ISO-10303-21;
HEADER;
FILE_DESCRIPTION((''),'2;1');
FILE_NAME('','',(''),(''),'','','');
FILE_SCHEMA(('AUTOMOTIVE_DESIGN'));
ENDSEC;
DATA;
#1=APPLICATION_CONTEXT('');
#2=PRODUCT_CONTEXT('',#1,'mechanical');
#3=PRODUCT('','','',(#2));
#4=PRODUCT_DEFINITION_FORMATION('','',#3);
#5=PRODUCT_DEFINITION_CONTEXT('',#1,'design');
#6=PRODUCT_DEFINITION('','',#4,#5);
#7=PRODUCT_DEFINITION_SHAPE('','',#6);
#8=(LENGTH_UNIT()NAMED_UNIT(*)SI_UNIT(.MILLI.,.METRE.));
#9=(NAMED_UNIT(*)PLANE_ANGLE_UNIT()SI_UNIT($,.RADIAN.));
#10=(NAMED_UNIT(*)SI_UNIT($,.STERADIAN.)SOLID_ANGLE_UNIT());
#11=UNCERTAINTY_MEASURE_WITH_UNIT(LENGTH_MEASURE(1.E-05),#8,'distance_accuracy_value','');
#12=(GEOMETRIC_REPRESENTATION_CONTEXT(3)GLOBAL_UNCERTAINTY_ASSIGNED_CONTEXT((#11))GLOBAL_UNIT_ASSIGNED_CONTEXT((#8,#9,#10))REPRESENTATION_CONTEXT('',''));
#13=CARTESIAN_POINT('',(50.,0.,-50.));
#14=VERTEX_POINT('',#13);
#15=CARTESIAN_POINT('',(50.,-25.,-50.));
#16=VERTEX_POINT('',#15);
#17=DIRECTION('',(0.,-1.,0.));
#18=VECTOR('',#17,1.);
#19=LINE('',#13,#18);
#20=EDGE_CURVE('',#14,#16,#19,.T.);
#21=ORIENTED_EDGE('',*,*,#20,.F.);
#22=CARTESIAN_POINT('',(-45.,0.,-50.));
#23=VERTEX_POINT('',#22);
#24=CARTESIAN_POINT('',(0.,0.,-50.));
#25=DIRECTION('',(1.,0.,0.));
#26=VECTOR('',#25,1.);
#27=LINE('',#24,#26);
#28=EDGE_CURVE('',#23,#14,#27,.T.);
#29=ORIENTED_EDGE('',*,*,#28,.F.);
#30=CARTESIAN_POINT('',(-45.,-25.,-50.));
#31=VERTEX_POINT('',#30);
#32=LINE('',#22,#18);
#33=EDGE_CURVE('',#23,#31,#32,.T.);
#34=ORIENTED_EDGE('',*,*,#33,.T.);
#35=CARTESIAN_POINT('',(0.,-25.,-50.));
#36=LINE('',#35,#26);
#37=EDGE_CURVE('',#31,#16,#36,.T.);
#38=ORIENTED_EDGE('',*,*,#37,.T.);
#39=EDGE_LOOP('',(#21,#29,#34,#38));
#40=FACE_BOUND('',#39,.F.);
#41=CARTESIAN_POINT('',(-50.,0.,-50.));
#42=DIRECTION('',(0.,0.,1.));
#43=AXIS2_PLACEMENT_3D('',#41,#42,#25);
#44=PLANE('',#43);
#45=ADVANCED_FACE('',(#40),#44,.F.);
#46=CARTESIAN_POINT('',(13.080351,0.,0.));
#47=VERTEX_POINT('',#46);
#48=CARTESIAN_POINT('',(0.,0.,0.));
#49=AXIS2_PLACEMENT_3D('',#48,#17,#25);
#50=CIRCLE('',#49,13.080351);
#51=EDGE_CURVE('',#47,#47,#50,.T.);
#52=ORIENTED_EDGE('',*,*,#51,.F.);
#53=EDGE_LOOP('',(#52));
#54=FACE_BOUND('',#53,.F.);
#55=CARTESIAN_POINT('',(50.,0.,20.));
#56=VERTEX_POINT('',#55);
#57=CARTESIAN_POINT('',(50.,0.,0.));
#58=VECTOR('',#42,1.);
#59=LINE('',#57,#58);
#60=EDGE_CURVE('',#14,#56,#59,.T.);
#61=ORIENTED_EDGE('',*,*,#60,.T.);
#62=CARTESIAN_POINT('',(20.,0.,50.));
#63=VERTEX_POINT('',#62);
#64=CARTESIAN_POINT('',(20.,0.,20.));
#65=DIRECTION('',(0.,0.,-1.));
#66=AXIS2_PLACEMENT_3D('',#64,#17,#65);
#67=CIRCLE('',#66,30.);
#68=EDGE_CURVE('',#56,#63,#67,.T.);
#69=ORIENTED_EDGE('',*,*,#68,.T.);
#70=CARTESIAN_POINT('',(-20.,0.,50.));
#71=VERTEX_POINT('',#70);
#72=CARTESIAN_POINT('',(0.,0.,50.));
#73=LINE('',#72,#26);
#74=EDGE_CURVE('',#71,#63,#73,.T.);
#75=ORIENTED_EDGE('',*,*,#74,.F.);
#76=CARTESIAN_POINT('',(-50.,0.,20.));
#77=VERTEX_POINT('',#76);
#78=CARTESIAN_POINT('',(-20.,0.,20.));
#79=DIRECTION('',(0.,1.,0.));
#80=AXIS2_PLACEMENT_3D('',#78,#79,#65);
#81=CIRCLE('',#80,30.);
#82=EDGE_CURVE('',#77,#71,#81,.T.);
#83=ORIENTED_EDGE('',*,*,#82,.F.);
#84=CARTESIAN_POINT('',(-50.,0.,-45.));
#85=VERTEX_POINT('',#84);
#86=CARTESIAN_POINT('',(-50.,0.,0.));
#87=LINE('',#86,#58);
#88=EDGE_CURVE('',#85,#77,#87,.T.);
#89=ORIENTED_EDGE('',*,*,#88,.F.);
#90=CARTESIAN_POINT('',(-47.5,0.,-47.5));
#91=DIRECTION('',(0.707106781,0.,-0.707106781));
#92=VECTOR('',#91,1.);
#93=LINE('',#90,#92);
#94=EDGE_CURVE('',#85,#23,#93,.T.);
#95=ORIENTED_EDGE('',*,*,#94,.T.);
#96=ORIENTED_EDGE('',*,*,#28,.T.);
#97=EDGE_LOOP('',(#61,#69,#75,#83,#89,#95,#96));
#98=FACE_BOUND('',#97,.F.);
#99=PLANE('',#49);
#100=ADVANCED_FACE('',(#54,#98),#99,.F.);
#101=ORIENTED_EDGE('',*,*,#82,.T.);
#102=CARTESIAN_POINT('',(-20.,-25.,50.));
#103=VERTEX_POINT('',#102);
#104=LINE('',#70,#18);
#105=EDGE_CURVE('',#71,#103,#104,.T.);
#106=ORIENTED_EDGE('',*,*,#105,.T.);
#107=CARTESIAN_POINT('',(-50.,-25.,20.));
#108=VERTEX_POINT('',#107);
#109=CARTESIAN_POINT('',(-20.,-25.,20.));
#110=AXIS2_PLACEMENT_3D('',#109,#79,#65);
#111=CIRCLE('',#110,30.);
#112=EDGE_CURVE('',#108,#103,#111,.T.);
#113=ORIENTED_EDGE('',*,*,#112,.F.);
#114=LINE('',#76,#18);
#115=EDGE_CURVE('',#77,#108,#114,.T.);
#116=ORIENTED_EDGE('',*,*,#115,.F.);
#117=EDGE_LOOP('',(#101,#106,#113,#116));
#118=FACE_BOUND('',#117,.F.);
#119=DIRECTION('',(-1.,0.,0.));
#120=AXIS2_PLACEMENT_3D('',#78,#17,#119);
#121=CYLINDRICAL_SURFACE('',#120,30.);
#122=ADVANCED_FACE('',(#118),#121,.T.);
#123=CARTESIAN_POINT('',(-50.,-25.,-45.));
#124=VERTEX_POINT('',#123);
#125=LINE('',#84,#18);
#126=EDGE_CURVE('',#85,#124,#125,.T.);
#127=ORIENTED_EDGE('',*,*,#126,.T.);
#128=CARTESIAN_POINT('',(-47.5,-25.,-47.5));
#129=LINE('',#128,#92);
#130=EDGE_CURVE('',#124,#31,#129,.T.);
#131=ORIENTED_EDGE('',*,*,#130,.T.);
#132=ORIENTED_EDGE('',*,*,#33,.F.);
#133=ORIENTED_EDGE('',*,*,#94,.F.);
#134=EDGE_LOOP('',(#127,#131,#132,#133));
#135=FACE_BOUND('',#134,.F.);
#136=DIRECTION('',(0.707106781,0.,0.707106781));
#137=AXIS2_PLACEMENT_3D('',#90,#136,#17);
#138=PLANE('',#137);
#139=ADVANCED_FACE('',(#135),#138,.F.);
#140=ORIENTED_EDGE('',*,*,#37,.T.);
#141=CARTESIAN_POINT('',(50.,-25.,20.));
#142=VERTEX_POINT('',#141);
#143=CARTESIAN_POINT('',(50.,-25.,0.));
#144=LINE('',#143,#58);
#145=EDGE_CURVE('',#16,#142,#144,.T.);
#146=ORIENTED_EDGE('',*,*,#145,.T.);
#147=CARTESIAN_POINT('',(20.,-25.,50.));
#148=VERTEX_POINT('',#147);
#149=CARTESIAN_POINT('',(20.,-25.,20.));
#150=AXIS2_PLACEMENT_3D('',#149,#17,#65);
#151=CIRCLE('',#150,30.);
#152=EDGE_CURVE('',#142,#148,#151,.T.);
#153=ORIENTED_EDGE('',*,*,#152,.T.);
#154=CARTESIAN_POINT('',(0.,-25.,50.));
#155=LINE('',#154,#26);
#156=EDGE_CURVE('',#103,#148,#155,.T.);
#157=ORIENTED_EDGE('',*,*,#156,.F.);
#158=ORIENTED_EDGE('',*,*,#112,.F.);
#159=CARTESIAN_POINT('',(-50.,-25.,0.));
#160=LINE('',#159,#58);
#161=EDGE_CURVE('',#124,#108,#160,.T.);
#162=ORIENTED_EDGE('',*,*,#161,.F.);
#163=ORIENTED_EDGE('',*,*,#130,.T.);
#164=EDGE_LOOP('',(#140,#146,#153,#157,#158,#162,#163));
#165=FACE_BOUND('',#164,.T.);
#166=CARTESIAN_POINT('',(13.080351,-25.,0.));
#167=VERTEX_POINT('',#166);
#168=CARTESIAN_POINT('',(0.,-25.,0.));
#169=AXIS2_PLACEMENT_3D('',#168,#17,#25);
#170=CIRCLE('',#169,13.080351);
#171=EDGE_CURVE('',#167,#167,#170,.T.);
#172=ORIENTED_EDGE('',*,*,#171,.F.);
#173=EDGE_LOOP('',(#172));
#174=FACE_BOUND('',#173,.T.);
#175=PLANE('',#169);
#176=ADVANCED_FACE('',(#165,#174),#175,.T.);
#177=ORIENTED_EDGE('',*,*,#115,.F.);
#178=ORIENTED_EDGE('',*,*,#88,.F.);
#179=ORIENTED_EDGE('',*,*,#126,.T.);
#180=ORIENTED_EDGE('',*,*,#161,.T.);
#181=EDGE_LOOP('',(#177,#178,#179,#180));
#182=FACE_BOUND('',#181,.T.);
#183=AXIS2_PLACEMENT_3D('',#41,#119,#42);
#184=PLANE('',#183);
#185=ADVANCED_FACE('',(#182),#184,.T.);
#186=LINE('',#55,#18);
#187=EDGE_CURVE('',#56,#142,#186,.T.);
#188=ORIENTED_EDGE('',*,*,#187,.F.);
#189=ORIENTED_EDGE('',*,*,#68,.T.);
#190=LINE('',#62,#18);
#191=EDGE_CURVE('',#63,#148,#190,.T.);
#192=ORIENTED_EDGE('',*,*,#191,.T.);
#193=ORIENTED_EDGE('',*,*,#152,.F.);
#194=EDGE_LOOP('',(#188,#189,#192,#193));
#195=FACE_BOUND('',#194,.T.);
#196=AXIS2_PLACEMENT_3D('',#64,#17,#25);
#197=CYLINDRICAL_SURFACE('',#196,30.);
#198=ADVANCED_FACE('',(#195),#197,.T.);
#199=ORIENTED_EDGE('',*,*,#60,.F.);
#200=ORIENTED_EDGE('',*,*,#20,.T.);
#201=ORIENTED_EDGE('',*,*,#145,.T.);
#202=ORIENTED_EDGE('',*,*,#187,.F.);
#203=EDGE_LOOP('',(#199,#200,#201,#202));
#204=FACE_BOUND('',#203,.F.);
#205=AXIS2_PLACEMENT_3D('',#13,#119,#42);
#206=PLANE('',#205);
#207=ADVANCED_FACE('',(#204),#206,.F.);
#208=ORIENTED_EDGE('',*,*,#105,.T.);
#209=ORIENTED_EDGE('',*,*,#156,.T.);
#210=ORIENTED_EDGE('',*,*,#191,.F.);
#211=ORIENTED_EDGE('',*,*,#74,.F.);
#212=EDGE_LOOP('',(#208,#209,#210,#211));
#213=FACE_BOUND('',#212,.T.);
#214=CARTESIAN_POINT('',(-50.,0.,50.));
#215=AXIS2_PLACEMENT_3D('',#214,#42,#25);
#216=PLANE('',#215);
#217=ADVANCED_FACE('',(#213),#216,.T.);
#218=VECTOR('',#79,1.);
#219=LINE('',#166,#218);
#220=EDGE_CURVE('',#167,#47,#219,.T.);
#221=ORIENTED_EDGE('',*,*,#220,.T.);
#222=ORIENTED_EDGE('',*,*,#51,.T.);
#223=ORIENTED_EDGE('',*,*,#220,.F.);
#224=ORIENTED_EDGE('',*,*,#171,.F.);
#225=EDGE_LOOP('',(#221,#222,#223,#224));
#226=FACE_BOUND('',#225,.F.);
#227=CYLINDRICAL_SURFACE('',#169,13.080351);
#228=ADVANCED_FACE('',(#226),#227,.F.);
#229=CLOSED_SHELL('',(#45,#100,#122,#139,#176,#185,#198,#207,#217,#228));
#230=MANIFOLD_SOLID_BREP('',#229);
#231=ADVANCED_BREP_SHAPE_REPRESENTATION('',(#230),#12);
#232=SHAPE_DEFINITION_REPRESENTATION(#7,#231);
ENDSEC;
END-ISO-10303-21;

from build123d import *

# Parameters (mm, degrees)
F0_W     = 100
F0_H     = 100
F1_DEPTH = 25
F2_R     = 30
F3_SIZE  = 5
F4_R     = 13.080351
F5_DEPTH = 25


with BuildPart() as f1:
    # F0 (on Front) → F1 (new body)
    with BuildSketch(Plane.XZ):
        Rectangle(F0_W, F0_H)
    extrude(amount=F1_DEPTH)

    # F2
    f2_edges = [f1.edges().sort_by_distance(p)[0] for p in [
        (-50, -12.5, 50),
        (50, -12.5, 50),
    ]]
    fillet(f2_edges, radius=F2_R)

    # F3
    f3_edges = [f1.edges().sort_by_distance(p)[0] for p in [
        (-50, -12.5, -50),
    ]]
    chamfer(f3_edges, length=F3_SIZE)

    # F4 (on face) → F5 (cut)
    with BuildSketch(Plane.XZ.offset(25)):
        Circle(F4_R)
    extrude(amount=-F5_DEPTH, mode=Mode.SUBTRACT)


solid = f1.part
